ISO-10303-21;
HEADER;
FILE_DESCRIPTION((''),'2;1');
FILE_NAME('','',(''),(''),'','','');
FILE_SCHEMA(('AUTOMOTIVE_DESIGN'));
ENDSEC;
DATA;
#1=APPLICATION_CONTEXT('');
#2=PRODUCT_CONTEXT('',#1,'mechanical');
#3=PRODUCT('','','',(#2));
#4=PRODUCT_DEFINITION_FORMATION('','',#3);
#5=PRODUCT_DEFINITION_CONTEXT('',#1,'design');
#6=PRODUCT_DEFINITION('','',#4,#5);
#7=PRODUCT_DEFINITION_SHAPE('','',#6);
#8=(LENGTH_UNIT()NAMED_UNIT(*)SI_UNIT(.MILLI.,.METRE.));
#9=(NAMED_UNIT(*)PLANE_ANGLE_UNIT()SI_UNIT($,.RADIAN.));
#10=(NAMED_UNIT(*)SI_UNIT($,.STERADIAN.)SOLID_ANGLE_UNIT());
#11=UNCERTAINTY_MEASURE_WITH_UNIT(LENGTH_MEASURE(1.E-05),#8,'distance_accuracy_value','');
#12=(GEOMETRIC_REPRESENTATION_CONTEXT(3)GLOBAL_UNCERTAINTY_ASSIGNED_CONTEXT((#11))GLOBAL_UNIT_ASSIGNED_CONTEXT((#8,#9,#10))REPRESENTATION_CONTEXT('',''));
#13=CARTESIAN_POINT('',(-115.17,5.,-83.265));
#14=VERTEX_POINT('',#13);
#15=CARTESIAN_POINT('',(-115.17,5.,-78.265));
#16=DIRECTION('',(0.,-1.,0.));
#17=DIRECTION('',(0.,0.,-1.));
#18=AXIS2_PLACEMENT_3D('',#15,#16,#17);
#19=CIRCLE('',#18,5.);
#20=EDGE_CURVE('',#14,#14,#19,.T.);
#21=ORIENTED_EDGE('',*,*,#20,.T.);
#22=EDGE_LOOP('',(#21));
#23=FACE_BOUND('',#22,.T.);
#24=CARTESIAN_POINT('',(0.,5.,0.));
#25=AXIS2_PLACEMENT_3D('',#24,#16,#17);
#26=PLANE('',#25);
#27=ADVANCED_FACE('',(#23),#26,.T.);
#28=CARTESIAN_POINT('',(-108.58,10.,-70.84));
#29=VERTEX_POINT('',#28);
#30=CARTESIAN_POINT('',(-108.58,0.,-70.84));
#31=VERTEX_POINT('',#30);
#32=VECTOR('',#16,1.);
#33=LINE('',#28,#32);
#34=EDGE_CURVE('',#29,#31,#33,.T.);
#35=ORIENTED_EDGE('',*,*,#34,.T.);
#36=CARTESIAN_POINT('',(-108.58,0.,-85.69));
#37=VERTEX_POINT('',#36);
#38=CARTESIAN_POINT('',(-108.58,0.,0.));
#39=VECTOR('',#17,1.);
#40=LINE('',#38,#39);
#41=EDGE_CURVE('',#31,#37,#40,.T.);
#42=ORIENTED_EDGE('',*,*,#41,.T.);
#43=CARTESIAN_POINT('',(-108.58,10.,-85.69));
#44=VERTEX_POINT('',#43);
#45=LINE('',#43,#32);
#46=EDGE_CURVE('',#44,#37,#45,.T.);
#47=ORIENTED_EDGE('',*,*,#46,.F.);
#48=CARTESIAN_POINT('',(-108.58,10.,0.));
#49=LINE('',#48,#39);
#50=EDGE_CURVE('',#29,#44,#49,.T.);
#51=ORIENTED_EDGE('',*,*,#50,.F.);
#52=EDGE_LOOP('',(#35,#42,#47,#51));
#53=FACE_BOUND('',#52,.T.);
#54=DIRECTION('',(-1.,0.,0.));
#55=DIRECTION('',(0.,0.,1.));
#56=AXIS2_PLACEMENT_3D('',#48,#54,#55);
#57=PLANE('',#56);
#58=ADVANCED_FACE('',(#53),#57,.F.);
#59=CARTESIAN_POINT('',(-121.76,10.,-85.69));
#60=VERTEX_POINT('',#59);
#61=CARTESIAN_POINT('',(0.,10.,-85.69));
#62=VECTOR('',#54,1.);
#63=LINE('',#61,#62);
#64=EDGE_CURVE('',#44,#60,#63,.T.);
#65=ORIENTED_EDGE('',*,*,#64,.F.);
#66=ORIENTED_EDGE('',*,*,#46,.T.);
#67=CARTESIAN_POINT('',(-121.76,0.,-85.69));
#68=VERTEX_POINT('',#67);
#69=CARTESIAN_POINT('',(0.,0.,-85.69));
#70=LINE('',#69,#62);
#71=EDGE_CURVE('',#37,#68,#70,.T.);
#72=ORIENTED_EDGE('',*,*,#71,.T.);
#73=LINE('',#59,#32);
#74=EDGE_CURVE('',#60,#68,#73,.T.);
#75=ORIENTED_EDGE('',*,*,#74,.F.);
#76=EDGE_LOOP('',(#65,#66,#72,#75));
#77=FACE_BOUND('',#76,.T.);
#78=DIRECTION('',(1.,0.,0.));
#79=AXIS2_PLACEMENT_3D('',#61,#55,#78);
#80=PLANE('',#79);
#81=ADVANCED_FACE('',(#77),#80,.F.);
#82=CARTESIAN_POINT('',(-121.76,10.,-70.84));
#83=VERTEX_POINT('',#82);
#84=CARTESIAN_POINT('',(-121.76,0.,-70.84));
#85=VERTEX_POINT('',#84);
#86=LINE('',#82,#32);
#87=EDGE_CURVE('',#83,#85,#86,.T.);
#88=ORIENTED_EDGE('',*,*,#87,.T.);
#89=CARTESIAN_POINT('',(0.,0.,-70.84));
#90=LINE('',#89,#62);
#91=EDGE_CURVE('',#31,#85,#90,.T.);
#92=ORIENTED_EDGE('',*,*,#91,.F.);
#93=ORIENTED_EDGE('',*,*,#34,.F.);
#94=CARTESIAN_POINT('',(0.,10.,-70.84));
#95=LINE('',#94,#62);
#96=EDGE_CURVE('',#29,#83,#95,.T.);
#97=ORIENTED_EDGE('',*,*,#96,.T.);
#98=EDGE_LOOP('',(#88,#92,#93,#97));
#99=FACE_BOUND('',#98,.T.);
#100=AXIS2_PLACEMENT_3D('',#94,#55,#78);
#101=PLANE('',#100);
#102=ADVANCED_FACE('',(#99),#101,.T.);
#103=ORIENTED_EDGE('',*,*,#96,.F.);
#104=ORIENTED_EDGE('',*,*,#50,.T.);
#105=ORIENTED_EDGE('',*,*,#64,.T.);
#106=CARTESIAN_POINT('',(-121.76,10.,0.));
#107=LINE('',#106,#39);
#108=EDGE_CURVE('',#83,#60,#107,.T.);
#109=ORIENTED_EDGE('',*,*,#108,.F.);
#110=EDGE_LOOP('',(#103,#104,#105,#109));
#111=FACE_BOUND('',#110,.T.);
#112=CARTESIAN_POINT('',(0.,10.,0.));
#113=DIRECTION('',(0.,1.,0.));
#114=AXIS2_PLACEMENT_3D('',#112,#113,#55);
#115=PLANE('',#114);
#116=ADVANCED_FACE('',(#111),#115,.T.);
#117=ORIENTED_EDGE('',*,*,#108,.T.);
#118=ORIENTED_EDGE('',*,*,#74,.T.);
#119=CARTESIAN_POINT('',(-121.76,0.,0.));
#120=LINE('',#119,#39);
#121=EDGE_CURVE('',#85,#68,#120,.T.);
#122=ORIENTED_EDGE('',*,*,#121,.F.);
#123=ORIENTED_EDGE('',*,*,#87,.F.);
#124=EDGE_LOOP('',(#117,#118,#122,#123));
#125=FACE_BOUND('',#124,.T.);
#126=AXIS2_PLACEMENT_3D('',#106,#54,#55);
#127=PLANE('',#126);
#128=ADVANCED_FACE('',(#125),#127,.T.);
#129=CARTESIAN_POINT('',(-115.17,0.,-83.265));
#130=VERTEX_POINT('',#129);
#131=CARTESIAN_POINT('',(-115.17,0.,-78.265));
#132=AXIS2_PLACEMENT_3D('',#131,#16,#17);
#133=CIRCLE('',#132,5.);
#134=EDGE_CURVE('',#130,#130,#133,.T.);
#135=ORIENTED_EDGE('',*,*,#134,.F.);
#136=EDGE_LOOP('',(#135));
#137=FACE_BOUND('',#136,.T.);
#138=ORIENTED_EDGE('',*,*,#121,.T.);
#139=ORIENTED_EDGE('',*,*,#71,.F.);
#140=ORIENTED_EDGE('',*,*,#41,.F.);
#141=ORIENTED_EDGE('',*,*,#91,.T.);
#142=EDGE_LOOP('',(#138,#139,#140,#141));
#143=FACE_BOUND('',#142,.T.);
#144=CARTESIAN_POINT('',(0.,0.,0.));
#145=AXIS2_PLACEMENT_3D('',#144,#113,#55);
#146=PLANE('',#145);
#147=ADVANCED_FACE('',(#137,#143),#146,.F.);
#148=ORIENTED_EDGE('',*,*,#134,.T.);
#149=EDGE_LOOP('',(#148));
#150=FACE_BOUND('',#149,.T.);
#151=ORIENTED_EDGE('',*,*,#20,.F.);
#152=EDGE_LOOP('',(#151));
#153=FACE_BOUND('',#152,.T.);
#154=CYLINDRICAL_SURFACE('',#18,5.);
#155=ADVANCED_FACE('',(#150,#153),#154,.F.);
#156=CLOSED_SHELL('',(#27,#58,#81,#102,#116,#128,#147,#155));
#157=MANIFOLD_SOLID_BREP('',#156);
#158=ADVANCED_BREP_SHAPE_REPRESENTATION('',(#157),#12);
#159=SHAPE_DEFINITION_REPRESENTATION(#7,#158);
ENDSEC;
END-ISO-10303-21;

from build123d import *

# Parameters (mm, degrees)
SKETCH4_W           = 13.18
SKETCH4_H           = 14.85
BOSS_EXTRUDE2_DEPTH = 10
CUT_EXTRUDE1_DEPTH  = 5


with BuildPart() as part:
    # Sketch4 → Boss-Extrude2 (new body)
    with BuildSketch(Plane(origin=(0, 0, 0), x_dir=(1, 0, 0), z_dir=(0, 1, 0))):
        with Locations((-115.17, 78.265)):
            Rectangle(SKETCH4_W, SKETCH4_H)
    extrude(amount=BOSS_EXTRUDE2_DEPTH)

    # Sketch5 → Cut-Extrude1 (cut)
    with BuildSketch(Plane.XZ):
        with BuildLine():
            ThreePointArc((-120.17, -78.265), (-115.17, -83.265), (-110.17, -78.265))
            Line((-110.17, -78.265), (-120.17, -78.265))
        make_face()
        with BuildLine():
            Line((-120.17, -78.265), (-110.17, -78.265))
            ThreePointArc((-110.17, -78.265), (-115.17, -73.265), (-120.17, -78.265))
        make_face()
    extrude(amount=-CUT_EXTRUDE1_DEPTH, mode=Mode.SUBTRACT)


solid = part.part
